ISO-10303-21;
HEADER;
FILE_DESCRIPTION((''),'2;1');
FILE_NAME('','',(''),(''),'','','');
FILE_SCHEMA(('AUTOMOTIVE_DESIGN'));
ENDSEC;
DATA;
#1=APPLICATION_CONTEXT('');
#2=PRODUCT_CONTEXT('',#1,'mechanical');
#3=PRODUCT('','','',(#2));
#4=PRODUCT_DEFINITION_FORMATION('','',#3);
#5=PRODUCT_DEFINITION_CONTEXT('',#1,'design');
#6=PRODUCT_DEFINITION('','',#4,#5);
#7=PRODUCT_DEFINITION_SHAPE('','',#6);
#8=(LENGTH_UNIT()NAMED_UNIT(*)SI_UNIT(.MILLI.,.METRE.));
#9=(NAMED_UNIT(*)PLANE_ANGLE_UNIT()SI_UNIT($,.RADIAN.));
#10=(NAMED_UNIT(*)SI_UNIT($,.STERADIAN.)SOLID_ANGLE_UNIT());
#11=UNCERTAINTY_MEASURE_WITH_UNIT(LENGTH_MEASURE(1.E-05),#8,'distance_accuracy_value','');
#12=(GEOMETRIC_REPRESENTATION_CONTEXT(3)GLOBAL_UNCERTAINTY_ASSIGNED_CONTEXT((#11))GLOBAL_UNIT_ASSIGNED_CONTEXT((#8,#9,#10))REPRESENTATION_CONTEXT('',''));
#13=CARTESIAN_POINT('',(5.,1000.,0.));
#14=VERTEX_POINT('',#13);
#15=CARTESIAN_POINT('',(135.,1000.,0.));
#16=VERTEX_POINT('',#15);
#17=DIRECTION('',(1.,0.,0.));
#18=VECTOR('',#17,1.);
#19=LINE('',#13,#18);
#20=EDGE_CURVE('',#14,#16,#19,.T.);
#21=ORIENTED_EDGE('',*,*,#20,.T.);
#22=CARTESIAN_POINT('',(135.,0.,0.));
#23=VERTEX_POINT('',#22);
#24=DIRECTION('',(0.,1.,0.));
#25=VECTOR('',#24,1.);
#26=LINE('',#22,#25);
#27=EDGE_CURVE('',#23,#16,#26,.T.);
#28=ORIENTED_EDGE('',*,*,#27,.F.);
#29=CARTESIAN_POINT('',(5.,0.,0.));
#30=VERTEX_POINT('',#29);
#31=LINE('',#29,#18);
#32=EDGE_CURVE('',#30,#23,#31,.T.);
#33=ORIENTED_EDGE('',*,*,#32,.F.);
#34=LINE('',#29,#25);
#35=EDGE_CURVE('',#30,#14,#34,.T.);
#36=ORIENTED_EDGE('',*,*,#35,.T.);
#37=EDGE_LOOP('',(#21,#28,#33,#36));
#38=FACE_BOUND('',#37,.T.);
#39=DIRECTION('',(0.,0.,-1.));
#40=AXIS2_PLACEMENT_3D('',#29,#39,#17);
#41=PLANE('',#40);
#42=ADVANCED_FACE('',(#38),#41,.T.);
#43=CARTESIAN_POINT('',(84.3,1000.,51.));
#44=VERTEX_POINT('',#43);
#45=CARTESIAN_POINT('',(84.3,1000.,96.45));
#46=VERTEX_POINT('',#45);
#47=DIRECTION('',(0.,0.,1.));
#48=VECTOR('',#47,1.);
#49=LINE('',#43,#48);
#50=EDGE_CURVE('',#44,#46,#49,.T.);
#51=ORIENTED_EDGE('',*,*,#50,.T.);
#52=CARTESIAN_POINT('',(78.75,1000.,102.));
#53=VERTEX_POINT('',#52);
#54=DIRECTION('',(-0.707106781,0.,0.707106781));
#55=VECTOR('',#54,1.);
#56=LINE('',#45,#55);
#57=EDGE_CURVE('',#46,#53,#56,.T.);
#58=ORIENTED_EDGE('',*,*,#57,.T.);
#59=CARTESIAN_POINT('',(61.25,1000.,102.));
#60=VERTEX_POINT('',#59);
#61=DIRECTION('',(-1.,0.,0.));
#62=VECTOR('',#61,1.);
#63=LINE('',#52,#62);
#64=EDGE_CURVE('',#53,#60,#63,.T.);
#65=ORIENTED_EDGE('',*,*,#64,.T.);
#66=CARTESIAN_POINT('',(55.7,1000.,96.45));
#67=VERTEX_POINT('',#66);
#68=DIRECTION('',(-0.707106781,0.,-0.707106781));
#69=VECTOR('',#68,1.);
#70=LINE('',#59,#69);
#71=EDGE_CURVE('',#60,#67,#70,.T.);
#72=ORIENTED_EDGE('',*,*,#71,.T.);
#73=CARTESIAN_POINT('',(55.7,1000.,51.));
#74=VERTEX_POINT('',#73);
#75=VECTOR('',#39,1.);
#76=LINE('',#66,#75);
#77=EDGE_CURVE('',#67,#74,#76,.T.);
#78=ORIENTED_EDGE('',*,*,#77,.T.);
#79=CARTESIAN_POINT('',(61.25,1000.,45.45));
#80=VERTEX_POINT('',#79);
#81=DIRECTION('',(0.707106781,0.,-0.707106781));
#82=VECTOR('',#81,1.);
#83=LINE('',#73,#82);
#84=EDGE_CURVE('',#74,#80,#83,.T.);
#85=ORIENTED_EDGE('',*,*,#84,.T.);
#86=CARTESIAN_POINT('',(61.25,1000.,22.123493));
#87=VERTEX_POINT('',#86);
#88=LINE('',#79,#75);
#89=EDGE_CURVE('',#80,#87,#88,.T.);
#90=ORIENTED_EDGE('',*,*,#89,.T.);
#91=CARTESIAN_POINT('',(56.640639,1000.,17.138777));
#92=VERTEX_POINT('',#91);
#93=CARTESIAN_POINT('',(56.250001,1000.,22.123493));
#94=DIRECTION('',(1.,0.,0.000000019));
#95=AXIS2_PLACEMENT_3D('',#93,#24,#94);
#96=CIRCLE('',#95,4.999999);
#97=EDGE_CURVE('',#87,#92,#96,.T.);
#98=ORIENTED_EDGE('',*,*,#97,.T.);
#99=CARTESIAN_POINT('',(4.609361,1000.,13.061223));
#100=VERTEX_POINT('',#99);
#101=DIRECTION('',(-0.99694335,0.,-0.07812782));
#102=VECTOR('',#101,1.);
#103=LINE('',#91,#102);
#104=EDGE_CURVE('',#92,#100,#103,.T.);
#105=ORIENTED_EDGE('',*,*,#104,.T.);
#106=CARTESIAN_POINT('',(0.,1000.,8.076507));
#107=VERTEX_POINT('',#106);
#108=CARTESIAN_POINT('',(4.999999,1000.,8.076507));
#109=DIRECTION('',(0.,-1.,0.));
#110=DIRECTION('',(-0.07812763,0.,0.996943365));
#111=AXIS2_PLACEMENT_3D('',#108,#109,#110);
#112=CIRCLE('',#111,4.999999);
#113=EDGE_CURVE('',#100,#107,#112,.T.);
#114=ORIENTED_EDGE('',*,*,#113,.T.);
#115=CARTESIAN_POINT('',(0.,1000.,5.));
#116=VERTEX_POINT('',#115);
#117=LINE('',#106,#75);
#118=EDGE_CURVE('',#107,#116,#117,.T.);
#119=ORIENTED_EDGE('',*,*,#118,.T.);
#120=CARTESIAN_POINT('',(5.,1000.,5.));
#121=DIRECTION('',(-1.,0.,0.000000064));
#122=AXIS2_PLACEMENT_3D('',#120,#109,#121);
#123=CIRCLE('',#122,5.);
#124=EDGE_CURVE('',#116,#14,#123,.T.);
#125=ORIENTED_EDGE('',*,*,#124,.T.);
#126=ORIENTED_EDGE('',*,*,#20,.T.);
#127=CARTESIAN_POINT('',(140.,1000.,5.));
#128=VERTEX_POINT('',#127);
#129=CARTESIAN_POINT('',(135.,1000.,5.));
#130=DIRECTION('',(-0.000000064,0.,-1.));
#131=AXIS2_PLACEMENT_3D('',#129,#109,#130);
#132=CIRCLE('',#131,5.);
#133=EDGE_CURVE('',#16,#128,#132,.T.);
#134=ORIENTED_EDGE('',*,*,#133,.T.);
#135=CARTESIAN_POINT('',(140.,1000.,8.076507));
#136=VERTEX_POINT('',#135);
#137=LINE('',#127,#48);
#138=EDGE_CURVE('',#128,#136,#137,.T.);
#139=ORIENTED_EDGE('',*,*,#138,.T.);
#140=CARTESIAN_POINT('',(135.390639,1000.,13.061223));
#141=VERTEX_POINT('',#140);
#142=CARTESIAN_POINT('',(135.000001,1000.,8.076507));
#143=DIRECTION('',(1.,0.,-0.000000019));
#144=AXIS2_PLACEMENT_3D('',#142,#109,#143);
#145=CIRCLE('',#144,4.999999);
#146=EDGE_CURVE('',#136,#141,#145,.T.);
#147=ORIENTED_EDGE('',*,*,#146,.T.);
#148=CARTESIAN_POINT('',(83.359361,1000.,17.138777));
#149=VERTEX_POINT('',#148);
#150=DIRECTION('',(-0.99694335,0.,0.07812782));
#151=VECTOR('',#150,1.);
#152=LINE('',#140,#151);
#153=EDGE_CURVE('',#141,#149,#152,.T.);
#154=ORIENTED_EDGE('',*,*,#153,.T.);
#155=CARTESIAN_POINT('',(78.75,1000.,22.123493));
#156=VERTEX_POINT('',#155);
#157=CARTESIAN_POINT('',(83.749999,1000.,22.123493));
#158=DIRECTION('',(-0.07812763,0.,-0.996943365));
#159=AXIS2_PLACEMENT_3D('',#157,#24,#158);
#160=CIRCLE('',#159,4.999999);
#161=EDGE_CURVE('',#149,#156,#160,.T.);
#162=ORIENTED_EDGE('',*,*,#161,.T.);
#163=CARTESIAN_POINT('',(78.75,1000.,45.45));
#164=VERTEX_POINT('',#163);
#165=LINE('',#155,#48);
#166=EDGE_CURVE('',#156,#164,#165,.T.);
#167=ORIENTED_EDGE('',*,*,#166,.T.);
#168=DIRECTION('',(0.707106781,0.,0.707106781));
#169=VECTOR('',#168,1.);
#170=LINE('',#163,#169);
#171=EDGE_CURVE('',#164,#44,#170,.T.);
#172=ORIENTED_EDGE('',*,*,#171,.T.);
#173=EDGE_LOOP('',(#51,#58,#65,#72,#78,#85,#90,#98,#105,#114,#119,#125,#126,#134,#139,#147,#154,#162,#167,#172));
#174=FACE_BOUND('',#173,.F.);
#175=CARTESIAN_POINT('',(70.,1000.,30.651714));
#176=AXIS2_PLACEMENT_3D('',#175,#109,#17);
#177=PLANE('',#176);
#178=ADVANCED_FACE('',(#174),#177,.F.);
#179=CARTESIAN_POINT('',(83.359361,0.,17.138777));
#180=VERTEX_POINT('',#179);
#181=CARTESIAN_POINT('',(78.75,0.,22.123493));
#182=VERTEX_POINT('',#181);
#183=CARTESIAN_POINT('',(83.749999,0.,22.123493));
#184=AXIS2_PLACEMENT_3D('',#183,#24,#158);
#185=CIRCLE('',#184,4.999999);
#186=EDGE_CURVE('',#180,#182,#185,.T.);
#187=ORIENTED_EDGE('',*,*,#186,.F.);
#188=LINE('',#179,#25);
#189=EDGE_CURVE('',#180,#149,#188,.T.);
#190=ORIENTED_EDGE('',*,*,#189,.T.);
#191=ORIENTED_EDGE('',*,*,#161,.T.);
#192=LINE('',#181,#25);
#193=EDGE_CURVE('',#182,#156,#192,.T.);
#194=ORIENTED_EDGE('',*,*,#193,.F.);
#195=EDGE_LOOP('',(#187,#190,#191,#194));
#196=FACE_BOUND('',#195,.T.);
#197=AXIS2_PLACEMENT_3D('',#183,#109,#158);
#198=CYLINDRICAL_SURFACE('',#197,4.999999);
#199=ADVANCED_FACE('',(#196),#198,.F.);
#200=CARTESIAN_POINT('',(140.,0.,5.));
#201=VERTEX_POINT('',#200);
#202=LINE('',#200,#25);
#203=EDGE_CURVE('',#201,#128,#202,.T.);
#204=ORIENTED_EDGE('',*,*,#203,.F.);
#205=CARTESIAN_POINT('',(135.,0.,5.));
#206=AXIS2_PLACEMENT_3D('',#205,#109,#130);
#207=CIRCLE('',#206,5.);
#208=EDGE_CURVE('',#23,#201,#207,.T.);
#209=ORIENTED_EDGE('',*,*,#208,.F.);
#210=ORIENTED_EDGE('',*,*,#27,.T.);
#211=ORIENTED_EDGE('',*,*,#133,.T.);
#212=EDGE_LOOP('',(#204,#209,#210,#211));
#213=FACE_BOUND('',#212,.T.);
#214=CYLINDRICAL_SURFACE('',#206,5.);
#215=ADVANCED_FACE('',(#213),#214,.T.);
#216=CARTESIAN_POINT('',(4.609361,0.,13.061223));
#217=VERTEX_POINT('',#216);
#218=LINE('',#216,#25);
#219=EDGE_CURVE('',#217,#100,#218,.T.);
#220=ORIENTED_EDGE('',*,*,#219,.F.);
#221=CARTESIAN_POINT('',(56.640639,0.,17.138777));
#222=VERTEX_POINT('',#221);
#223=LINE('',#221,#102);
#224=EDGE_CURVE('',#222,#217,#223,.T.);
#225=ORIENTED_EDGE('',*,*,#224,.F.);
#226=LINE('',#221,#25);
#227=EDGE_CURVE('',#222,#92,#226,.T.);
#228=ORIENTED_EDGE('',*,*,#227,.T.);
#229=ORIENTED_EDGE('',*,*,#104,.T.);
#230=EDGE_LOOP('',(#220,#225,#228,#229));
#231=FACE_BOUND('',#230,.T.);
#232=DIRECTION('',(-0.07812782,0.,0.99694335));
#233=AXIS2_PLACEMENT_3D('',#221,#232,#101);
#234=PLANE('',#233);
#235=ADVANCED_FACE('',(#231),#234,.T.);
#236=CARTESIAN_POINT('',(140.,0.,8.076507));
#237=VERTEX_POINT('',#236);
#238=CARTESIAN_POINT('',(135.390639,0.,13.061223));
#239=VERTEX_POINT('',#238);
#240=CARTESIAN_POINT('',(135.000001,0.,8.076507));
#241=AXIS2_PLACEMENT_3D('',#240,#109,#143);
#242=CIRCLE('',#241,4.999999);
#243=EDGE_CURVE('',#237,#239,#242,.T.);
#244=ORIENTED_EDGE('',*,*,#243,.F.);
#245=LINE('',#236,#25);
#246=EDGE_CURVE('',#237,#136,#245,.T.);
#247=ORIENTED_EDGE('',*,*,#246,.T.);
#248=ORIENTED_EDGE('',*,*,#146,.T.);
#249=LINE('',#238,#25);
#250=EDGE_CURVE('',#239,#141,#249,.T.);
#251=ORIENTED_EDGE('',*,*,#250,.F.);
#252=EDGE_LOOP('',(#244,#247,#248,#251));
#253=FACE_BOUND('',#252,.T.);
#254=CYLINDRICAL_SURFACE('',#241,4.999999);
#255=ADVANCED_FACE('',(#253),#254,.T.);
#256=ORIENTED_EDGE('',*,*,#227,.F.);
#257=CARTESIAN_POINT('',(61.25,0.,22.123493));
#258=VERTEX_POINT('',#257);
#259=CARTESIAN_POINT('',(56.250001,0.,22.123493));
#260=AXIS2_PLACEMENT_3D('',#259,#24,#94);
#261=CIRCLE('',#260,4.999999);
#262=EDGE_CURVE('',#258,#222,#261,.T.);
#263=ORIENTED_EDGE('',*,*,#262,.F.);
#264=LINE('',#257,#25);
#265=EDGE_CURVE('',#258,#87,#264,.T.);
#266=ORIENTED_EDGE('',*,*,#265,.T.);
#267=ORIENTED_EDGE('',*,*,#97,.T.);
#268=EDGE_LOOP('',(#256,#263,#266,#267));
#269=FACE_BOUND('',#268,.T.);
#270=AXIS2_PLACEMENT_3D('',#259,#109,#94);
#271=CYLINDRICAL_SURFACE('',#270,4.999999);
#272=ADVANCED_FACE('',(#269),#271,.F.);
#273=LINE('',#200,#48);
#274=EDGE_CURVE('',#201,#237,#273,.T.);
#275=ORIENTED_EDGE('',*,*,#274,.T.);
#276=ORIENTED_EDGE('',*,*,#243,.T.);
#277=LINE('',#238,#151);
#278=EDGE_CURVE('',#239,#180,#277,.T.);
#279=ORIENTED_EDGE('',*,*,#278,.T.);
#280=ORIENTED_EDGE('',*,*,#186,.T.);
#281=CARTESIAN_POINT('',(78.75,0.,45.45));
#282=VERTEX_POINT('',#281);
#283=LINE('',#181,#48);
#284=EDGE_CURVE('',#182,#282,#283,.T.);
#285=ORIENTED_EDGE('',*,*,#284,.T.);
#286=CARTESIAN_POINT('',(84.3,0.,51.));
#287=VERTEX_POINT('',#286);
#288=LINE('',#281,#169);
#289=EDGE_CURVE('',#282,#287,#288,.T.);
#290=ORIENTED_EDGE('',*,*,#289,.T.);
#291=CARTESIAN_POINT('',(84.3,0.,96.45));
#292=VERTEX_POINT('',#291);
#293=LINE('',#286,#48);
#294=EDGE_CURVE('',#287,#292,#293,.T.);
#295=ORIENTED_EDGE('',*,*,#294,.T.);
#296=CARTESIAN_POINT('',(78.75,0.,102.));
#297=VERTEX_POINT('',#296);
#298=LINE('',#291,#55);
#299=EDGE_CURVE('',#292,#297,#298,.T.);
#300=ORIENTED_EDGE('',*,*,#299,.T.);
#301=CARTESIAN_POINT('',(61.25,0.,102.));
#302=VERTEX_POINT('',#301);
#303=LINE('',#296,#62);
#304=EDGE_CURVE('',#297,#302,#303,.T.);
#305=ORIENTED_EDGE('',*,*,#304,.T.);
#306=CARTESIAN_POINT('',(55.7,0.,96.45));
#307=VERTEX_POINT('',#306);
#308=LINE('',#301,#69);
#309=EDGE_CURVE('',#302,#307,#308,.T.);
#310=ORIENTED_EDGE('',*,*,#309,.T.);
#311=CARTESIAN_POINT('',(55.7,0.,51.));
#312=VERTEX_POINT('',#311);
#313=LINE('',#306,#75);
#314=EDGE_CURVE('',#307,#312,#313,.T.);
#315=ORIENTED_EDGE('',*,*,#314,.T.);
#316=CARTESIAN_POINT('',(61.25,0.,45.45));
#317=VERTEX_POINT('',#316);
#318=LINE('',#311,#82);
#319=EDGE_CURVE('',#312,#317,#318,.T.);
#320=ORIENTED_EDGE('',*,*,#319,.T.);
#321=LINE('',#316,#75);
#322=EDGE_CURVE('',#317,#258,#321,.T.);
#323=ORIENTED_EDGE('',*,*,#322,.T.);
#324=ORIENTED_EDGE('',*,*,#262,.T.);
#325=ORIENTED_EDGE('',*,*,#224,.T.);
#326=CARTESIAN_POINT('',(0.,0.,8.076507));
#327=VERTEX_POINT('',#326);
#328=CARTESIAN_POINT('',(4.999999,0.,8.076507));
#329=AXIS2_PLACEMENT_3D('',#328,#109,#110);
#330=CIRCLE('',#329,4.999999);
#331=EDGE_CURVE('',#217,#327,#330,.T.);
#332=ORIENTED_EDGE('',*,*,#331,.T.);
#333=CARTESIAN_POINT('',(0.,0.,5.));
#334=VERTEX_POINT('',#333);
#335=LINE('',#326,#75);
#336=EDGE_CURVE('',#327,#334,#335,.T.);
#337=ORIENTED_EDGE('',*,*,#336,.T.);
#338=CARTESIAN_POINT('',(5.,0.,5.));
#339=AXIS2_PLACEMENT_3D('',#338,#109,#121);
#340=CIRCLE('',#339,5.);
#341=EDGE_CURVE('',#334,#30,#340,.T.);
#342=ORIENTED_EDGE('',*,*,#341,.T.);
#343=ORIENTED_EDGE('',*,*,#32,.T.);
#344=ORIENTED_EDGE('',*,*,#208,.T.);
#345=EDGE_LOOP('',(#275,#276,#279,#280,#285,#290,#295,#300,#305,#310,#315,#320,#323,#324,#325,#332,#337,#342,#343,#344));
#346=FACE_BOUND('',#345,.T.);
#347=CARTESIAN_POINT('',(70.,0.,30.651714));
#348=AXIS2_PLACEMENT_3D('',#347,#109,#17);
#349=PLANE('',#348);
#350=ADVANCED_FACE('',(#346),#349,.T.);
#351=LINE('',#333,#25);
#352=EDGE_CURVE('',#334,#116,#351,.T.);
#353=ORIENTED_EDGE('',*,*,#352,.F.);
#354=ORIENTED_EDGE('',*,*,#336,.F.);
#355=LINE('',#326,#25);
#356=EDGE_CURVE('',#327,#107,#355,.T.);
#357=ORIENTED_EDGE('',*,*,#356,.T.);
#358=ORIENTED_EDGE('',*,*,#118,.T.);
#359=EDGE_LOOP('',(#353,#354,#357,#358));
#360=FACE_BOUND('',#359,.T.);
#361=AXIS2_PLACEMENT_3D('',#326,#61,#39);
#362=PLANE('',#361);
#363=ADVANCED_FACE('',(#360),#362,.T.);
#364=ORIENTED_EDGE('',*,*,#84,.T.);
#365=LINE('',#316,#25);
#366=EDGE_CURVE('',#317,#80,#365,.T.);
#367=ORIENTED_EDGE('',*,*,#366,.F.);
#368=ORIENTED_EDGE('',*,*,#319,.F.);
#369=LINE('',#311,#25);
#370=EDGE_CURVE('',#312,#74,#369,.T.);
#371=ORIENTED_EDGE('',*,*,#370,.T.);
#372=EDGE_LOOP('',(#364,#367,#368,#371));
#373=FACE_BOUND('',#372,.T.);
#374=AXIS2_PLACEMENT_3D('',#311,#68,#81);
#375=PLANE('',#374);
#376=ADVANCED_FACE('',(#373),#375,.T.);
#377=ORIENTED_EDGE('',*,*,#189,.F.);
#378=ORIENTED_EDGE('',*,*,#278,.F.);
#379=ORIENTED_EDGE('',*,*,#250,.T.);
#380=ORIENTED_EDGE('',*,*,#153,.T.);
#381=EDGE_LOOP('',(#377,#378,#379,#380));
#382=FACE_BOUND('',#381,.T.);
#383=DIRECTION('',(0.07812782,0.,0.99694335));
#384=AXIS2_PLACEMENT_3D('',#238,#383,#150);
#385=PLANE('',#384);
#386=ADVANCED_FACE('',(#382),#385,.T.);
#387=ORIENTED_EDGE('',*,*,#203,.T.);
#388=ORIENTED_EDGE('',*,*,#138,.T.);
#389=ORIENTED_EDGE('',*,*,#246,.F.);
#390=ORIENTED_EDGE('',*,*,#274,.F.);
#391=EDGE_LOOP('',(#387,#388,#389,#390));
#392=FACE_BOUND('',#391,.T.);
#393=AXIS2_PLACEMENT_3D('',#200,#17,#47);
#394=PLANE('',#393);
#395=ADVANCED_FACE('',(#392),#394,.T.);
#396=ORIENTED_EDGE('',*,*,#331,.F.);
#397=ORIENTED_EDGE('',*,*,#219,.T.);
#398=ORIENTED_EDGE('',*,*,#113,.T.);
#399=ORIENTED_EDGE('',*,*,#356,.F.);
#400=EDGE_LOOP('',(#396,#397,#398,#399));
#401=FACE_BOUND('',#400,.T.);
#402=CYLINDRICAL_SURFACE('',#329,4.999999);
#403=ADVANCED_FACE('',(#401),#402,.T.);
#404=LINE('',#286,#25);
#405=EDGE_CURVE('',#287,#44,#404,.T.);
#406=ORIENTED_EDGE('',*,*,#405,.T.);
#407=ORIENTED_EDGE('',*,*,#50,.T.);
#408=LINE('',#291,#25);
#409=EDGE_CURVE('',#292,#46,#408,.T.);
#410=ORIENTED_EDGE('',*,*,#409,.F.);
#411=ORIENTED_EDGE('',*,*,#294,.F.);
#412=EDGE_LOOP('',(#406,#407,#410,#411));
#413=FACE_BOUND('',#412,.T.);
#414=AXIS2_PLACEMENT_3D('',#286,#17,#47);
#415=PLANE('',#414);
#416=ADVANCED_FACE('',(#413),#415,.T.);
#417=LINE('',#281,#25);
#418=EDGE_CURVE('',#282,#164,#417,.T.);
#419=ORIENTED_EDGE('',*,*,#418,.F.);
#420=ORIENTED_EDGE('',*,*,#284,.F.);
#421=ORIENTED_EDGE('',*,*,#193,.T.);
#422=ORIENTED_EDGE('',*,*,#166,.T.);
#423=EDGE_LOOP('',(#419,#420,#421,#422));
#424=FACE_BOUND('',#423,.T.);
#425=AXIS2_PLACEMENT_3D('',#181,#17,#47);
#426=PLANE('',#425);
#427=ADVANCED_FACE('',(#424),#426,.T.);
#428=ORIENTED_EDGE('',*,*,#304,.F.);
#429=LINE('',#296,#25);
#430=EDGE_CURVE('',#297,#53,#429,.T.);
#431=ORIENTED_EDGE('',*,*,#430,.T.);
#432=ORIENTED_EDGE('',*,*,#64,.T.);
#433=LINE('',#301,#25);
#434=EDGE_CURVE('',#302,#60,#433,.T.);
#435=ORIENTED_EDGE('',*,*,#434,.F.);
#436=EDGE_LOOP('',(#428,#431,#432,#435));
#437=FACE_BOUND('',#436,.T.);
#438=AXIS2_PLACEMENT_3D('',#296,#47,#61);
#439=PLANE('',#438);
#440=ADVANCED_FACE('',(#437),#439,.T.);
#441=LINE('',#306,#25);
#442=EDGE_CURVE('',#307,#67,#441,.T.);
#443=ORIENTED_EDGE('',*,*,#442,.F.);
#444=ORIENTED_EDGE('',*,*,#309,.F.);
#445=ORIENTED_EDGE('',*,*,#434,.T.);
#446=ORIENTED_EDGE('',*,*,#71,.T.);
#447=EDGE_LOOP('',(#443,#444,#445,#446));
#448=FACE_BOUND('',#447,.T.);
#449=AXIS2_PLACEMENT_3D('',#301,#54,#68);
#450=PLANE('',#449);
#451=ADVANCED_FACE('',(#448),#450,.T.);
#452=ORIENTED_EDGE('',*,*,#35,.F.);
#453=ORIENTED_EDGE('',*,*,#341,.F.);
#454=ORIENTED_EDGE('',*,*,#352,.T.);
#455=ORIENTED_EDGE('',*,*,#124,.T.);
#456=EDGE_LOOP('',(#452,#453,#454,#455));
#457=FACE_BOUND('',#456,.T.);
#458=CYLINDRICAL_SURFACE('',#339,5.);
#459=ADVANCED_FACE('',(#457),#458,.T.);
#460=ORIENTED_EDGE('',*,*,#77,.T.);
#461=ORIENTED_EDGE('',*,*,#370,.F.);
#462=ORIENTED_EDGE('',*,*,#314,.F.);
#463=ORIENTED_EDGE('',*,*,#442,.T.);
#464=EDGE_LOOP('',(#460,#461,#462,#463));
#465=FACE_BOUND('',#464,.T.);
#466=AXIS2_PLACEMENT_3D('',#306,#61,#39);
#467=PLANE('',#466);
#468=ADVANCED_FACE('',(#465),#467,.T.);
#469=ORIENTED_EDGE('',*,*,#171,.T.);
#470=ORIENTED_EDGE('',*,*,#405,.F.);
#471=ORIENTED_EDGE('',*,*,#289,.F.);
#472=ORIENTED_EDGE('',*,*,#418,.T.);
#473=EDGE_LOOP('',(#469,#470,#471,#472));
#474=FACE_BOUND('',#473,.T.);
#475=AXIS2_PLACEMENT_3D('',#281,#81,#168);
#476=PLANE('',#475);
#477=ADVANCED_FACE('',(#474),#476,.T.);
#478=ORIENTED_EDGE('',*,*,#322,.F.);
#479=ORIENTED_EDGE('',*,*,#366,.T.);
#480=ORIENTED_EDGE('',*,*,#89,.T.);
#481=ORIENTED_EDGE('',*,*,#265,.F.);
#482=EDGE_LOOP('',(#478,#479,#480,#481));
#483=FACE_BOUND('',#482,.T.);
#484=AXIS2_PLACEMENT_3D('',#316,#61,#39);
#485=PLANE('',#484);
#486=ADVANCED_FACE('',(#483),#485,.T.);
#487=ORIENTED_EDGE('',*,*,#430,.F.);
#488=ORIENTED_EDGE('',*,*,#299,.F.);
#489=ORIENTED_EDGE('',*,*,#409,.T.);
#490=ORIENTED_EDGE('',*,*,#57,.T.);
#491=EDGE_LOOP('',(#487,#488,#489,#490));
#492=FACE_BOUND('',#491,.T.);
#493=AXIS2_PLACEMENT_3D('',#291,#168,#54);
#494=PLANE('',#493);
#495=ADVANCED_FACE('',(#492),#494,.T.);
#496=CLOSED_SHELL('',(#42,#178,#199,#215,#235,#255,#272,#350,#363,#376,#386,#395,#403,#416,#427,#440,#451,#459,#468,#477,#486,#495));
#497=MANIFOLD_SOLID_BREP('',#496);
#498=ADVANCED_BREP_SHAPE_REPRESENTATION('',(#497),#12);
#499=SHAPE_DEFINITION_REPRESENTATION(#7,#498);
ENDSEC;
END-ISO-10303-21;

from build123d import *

# Parameters (mm, degrees)
F1_DEPTH = 1000


with BuildPart() as f1:
    # F0 (on Front) → F1 (new body)
    with BuildSketch(Plane.XZ):
        with BuildLine():
            ThreePointArc((0, 5), (1.464466, 1.464466), (5, 0))
            Line((5, 0), (135, 0))
            ThreePointArc((135, 0), (138.535534, 1.464466), (140, 5))
            Line((140, 5), (140, 8.076507))
            ThreePointArc((140, 8.076507), (138.671049, 11.47112), (135.390639, 13.061223))
            Line((135.390639, 13.061223), (83.359361, 17.138777))
            ThreePointArc((83.359361, 17.138777), (80.078951, 18.72888), (78.75, 22.123493))
            Line((78.75, 22.123493), (78.75, 45.45))
            Line((78.75, 45.45), (84.3, 51))
            Line((84.3, 51), (84.3, 96.45))
            Line((84.3, 96.45), (78.75, 102))
            Line((78.75, 102), (61.25, 102))
            Line((61.25, 102), (55.7, 96.45))
            Line((55.7, 96.45), (55.7, 51))
            Line((55.7, 51), (61.25, 45.45))
            Line((61.25, 45.45), (61.25, 22.123493))
            ThreePointArc((61.25, 22.123493), (59.921049, 18.72888), (56.640639, 17.138777))
            Line((56.640639, 17.138777), (4.609361, 13.061223))
            ThreePointArc((4.609361, 13.061223), (1.328951, 11.47112), (0, 8.076507))
            Line((0, 8.076507), (0, 5))
        make_face()
    extrude(amount=-F1_DEPTH)


solid = f1.part
